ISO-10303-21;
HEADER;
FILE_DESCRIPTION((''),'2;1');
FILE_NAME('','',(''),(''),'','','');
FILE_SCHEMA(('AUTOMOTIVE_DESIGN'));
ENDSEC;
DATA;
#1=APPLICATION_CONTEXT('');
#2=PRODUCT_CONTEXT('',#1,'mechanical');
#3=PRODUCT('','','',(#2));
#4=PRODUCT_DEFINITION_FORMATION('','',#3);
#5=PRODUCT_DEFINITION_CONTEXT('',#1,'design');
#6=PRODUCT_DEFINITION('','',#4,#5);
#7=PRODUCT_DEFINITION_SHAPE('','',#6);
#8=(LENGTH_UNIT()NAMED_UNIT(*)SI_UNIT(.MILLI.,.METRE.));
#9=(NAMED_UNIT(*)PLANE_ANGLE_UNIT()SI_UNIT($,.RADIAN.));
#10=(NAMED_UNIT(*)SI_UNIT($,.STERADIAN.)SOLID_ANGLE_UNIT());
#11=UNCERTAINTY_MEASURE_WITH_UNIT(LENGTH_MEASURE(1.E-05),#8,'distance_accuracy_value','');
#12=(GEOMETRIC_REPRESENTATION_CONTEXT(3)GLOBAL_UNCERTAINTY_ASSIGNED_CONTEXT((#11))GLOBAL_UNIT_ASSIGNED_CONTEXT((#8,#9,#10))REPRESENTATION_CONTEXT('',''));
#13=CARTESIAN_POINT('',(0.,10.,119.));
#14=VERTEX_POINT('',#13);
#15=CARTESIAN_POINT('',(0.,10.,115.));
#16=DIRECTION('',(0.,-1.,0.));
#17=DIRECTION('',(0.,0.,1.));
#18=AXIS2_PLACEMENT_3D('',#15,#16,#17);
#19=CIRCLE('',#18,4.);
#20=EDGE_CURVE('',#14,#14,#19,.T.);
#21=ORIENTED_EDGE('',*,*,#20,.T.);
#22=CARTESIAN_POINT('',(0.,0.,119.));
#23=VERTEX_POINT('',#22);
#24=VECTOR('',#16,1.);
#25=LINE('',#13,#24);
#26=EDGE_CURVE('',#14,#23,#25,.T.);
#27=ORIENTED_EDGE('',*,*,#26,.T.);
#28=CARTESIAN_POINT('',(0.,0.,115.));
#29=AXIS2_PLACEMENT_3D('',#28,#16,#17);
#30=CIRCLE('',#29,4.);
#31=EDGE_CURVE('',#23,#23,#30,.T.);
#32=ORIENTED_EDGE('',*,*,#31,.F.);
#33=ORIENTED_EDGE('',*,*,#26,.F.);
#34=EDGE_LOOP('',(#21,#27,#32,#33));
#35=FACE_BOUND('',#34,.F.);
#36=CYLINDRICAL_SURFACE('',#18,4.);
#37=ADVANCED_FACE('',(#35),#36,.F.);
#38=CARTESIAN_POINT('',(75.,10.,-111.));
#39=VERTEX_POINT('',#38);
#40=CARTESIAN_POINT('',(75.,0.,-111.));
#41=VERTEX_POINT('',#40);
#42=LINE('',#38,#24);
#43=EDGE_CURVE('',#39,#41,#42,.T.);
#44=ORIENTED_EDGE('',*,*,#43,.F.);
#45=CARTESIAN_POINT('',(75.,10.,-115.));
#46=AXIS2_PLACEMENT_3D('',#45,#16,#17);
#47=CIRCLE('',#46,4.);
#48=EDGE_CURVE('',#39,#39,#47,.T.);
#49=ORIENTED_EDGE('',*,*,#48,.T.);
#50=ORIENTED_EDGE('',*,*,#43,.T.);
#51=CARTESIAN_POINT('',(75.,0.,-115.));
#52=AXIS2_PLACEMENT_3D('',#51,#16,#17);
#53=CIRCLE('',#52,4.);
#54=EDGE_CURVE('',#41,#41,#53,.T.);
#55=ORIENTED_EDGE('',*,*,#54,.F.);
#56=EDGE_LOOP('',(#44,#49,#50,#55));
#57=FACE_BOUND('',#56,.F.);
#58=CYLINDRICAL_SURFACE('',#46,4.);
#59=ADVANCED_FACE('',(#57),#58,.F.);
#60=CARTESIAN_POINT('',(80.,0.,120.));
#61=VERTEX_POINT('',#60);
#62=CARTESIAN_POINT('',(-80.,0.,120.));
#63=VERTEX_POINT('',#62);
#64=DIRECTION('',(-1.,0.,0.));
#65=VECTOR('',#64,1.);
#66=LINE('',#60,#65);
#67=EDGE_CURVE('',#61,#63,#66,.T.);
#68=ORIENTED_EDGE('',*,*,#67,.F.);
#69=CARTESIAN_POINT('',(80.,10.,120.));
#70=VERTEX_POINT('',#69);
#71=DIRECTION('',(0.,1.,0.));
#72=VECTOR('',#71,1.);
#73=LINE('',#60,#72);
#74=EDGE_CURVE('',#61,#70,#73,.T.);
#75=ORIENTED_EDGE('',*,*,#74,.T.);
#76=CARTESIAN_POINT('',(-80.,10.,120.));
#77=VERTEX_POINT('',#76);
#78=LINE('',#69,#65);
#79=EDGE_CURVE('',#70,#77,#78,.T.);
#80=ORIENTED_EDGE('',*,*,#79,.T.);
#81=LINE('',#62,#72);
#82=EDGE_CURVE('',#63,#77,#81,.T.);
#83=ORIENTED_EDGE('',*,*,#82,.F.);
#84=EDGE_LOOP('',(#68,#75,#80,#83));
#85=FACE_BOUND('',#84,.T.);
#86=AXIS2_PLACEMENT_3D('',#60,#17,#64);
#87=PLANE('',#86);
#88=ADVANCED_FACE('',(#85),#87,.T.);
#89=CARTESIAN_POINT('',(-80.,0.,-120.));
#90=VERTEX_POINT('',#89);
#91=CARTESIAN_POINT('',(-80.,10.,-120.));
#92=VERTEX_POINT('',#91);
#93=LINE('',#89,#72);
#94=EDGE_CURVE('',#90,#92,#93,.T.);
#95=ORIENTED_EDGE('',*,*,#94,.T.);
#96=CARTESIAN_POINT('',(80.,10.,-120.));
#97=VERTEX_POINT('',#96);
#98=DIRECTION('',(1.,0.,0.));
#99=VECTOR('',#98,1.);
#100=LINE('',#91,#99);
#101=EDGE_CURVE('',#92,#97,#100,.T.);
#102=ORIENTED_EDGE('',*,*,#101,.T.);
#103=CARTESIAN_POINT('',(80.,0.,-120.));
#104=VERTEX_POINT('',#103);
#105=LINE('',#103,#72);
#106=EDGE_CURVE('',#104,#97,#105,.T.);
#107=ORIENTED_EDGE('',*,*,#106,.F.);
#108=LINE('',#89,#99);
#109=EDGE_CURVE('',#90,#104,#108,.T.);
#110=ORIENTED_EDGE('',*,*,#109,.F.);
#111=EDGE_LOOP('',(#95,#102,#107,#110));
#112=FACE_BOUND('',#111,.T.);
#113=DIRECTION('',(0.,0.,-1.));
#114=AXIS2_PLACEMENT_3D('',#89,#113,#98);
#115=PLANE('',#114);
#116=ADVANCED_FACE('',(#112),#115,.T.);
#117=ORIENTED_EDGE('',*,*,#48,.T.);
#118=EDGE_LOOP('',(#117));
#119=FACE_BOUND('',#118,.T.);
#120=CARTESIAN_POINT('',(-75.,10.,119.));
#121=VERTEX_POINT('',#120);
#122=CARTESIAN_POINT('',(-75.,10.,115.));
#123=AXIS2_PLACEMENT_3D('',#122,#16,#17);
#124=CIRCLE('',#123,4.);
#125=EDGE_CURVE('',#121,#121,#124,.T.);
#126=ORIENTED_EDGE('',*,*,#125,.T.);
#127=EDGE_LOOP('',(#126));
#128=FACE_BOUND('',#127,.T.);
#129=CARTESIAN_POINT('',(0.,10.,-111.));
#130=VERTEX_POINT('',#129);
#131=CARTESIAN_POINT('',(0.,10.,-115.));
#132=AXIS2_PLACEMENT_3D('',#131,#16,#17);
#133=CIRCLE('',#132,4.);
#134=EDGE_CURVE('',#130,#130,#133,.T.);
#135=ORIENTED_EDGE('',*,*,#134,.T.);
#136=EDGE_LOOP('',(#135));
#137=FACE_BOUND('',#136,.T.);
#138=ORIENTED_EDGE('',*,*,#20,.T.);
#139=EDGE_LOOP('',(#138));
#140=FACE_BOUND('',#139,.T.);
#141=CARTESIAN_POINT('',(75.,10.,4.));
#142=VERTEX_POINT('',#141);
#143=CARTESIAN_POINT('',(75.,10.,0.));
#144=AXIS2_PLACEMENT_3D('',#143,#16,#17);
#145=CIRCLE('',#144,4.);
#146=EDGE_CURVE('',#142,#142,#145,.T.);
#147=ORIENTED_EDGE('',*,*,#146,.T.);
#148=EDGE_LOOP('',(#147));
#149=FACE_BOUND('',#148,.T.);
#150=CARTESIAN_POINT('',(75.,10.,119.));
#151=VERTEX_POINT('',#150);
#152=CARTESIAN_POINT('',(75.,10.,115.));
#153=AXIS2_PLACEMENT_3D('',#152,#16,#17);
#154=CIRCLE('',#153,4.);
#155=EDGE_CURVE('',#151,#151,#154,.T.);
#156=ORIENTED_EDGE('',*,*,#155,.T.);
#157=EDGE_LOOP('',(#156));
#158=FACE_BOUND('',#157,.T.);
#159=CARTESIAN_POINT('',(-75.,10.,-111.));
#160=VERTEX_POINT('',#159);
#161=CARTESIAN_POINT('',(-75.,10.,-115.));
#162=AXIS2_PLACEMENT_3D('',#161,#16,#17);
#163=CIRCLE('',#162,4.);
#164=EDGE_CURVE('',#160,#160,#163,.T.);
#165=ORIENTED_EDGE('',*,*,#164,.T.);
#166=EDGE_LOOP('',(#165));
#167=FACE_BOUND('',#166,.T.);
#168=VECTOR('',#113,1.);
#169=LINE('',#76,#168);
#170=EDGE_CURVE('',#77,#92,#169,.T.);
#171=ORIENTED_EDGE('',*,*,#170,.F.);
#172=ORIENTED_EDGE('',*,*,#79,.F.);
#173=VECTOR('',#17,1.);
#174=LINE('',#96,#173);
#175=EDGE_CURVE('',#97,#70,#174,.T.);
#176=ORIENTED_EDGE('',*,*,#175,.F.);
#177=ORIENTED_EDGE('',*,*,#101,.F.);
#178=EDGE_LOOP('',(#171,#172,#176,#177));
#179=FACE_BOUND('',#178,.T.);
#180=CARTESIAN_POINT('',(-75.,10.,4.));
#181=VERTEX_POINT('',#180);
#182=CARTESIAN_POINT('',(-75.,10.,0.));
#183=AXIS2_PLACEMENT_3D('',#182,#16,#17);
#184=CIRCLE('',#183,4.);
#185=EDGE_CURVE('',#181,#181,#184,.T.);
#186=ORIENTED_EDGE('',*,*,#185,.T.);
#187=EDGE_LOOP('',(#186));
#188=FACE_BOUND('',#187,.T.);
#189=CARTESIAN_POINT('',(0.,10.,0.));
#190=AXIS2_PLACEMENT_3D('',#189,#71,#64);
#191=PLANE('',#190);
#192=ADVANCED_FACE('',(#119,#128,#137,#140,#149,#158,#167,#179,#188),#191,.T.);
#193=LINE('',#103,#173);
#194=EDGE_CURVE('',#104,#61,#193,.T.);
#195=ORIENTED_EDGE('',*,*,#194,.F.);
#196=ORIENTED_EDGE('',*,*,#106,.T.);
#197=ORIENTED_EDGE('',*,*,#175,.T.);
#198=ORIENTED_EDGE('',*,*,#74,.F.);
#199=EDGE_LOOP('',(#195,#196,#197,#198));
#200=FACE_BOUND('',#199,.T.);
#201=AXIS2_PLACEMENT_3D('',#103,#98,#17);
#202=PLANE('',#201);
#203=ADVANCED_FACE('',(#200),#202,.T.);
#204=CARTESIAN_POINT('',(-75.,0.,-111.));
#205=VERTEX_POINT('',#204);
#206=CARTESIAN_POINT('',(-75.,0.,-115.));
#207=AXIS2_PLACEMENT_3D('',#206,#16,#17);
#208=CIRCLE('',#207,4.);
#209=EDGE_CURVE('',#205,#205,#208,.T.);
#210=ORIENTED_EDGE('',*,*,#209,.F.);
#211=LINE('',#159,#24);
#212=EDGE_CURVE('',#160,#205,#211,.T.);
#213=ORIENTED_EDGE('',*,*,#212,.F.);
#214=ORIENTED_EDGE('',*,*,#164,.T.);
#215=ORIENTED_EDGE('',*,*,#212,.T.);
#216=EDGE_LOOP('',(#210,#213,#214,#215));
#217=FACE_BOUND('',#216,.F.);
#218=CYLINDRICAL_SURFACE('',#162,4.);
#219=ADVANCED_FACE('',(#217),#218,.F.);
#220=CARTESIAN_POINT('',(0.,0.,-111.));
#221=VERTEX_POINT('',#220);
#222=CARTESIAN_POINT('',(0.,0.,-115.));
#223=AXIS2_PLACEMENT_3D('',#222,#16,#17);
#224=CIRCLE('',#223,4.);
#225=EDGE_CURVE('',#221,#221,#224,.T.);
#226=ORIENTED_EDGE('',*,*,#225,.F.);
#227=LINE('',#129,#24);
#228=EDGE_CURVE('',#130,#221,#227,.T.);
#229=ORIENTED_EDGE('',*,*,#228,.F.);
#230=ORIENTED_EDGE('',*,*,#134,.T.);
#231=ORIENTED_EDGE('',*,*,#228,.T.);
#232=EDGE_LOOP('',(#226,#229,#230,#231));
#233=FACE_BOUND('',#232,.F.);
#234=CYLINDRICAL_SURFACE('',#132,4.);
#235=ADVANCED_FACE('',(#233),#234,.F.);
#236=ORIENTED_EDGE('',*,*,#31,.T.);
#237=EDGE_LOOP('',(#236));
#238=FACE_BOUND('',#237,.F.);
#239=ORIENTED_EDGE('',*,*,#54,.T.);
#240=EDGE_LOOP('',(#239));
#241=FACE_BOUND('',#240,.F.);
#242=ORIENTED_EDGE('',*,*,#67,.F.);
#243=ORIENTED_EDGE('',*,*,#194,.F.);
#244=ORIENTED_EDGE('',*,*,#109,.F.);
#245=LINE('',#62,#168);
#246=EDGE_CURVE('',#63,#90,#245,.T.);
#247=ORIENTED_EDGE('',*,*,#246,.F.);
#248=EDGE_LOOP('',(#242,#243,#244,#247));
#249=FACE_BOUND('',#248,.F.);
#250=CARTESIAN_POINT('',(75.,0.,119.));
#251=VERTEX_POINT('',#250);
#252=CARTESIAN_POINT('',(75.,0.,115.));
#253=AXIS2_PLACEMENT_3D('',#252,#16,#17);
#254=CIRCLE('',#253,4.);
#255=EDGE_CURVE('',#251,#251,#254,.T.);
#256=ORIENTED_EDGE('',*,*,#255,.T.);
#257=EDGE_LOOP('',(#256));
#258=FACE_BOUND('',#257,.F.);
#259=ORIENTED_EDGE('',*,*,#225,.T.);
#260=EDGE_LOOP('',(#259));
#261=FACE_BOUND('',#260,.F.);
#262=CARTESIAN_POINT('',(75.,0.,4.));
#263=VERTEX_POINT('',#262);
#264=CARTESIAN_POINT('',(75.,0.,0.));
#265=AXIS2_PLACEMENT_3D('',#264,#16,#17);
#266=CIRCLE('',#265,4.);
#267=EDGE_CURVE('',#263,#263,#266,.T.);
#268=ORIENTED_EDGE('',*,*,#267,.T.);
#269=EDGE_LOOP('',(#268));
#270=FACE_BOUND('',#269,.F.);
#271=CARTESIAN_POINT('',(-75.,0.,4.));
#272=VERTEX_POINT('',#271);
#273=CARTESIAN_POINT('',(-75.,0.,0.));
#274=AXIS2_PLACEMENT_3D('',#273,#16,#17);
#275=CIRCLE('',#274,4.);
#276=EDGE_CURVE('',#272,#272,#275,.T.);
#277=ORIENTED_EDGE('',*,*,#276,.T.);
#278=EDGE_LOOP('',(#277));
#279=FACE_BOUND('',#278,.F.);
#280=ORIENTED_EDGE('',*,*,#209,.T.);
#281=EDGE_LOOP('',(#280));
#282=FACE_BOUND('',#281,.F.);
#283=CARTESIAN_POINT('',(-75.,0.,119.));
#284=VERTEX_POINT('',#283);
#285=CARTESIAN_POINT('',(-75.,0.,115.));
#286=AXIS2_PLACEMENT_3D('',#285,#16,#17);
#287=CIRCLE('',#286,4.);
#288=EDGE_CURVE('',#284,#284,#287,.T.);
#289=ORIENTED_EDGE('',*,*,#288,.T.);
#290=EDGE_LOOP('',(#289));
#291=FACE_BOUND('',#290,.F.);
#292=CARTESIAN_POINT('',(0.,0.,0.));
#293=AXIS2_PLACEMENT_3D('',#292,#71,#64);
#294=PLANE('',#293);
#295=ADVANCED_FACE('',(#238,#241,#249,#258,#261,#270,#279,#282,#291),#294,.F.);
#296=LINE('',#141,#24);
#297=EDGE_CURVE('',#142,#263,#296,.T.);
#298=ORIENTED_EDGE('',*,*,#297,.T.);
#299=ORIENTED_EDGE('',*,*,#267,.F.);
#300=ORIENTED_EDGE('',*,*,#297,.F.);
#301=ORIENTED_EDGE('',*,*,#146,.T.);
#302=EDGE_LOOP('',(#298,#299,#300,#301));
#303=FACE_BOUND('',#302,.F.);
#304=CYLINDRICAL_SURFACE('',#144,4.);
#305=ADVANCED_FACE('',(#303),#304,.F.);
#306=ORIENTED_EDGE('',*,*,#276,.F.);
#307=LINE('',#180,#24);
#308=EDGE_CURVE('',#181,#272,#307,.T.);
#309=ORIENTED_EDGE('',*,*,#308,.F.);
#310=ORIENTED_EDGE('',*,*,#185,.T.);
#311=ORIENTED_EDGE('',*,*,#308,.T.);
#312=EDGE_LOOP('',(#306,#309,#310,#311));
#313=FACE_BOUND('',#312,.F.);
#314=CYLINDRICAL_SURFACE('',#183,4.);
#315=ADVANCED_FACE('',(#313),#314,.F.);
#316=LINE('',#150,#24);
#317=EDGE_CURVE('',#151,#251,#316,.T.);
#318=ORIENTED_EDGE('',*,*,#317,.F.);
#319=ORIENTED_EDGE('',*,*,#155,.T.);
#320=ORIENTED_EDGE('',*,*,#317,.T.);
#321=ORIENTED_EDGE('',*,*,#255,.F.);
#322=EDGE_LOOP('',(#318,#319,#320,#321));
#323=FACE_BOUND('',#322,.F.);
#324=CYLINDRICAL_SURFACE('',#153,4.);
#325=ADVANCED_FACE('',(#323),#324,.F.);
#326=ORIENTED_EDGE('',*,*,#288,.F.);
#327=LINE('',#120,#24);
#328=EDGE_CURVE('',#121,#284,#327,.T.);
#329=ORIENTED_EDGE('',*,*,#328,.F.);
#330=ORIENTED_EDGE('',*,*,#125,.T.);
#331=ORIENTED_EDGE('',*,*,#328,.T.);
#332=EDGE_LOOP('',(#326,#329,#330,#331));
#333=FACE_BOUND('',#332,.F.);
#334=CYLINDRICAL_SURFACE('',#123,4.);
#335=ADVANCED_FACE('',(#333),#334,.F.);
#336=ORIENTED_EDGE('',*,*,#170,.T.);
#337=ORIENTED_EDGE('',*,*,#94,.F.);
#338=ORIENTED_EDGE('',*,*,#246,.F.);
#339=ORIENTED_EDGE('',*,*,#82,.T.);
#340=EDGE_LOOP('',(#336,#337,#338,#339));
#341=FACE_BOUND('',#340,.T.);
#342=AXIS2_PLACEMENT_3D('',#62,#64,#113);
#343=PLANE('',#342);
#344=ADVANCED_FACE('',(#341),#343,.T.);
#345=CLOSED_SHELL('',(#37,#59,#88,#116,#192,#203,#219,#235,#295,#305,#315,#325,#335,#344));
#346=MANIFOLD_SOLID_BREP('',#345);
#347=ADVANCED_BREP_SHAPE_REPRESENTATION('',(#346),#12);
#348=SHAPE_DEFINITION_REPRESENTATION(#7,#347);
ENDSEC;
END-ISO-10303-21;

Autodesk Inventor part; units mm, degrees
ref_plane "YZ Plane" through (0, 0, 0) normal (1, 0, 0) x (0, 1, 0)
ref_plane "XZ Plane" through (0, 0, 0) normal (0, 1, 0) x (-1, 0, 0)
ref_plane "XY Plane" through (0, 0, 0) normal (0, 0, 1) x (1, 0, 0)
sketch "Boceto1" plane through (0, 0, 0) normal (0, 1, 0) x (-1, 0, 0)
  line L0 (-80, 120) -> (80, 120)
  line L1 (80, 120) -> (80, -120)
  line L2 (80, -120) -> (-80, -120)
  line L3 (-80, -120) -> (-80, 120)
  line L4 (-80, 120) -> (80, -120) construction
  line L5 (80, 120) -> (-80, -120) construction
  point P0 (0, 0)
  dimension "d0" = 160
  dimension "d1" = 240
extrude "Extrusión1" add sketch "Boceto1" along normal blind 10
sketch "Boceto2" plane through (0, 10, 0) normal (0, 1, 0) x (1, 0, 0)
  line L0 (-80, -120) -> (80, -120) projected
  line L1 (80, -120) -> (80, 120) projected
  line L2 (80, 120) -> (-80, 120) projected
  line L3 (-80, 120) -> (-80, -120) projected
  line L4 (-75, 115) -> (75, 115) construction
  line L5 (75, 115) -> (75, -115) construction
  line L6 (75, -115) -> (-75, -115) construction
  line L7 (-75, -115) -> (-75, 115) construction
  point P0 (0, 0)
  point P1 (-75, 0)
  point P2 (75, 0)
  point P3 (0, -115)
  point P4 (0, 115)
  dimension "d4" = 5
hole "Agujero1" at (-75, 10, 0) at (75, 10, 0) at (0, 10, 115) at (0, 10, -115) at (-75, 10, -115) at (75, 10, -115) at (75, 10, 115) at (-75, 10, 115) direction (0, -1, 0) diameter 8 depth 15 tip angle 118
properties part number "TAPA SUPERIOR" material "Plástico PMMA"
